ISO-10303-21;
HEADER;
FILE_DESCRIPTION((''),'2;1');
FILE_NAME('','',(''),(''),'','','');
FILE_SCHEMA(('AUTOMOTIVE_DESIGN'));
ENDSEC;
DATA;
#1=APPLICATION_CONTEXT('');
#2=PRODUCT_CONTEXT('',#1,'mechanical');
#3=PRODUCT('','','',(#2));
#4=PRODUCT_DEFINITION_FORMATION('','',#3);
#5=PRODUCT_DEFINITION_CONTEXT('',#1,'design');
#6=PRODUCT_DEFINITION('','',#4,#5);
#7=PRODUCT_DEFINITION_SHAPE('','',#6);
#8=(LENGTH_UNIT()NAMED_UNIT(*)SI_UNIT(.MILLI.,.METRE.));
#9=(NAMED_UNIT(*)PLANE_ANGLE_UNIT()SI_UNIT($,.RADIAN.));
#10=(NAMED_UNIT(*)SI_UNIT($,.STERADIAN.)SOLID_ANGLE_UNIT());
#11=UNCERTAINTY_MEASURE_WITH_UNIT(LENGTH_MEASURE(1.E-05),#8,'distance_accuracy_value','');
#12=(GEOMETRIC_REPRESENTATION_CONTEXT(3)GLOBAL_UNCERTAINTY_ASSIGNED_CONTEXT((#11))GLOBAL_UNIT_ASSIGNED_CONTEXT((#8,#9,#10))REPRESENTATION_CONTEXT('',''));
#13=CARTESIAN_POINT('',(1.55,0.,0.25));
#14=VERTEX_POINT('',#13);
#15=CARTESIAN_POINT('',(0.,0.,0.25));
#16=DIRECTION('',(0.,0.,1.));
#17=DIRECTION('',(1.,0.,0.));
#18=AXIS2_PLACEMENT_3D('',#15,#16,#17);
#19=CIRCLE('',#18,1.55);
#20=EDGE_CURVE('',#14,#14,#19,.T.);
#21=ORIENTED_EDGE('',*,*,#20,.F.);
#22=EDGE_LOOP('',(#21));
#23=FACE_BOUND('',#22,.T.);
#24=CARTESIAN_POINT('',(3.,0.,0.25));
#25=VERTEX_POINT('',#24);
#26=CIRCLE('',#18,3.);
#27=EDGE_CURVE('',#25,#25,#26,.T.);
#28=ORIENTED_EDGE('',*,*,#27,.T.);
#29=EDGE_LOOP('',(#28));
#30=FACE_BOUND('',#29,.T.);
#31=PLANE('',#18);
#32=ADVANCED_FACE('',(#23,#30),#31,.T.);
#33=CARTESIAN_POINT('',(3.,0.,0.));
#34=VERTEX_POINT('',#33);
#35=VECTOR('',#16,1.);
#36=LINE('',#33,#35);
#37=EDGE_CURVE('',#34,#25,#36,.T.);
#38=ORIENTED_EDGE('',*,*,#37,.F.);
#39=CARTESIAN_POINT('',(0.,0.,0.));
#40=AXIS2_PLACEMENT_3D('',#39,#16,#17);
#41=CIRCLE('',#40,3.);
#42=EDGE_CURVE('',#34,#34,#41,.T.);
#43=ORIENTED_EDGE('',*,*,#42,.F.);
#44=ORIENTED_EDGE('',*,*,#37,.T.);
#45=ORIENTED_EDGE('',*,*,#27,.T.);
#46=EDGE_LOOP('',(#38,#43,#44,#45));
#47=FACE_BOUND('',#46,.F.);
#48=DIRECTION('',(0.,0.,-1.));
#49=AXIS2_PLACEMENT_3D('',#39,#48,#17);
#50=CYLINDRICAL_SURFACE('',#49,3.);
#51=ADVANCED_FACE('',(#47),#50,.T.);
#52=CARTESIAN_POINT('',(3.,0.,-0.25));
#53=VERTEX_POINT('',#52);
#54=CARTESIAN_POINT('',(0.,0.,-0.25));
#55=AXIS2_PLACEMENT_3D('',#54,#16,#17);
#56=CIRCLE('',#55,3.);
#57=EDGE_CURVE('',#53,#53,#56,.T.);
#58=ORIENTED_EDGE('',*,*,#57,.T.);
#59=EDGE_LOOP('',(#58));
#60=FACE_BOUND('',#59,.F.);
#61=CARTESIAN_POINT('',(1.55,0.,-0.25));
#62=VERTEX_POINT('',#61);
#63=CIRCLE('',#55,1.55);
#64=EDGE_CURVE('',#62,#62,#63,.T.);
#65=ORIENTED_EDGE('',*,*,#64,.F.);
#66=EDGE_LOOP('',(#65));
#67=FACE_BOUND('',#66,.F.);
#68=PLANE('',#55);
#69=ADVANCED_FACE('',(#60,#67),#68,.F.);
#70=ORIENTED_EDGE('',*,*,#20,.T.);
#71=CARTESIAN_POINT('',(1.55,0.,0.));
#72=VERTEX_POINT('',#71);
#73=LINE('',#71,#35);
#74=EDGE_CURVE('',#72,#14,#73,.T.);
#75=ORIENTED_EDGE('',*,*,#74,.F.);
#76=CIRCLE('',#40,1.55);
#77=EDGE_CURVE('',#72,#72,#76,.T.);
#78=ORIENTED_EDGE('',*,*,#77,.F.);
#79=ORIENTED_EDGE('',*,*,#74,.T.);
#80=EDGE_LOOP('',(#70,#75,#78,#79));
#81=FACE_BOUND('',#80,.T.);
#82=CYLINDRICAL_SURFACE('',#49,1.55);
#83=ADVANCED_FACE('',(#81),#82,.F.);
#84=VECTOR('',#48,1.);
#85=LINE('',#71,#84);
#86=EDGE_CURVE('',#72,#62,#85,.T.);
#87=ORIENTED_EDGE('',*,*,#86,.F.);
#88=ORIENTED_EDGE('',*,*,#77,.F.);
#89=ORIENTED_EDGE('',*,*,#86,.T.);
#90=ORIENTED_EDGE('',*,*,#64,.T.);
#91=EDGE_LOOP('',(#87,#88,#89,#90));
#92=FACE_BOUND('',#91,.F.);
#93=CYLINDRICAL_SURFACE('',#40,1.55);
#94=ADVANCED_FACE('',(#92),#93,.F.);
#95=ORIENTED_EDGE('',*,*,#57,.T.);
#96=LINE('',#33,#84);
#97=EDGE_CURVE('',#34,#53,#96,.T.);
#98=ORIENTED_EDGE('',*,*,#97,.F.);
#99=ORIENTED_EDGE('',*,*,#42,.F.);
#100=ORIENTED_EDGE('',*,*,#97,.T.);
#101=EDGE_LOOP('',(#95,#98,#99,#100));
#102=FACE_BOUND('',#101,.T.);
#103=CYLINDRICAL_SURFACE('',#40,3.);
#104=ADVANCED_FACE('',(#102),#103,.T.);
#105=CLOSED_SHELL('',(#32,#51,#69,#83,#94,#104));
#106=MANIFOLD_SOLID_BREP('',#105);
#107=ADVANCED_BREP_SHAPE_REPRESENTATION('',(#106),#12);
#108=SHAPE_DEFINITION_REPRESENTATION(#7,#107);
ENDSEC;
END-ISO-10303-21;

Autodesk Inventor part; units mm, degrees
ref_plane "YZ Plane" through (0, 0, 0) normal (1, 0, 0) x (0, 1, 0)
ref_plane "XZ Plane" through (0, 0, 0) normal (0, 1, 0) x (-1, 0, 0)
ref_plane "XY Plane" through (0, 0, 0) normal (0, 0, 1) x (1, 0, 0)
sketch "Sketch1" plane through (0, 0, 0) normal (0, 0, 1) x (1, 0, 0)
  circle A0 centre (0, 0) radius 3
  circle A1 centre (0, 0) radius 1.55
  dimension "d0" = 6
  dimension "d1" = 3.1
extrude "Extrusion1" add sketch "Sketch1" along normal mid plane 0.5
properties part number "RollerWasher"
